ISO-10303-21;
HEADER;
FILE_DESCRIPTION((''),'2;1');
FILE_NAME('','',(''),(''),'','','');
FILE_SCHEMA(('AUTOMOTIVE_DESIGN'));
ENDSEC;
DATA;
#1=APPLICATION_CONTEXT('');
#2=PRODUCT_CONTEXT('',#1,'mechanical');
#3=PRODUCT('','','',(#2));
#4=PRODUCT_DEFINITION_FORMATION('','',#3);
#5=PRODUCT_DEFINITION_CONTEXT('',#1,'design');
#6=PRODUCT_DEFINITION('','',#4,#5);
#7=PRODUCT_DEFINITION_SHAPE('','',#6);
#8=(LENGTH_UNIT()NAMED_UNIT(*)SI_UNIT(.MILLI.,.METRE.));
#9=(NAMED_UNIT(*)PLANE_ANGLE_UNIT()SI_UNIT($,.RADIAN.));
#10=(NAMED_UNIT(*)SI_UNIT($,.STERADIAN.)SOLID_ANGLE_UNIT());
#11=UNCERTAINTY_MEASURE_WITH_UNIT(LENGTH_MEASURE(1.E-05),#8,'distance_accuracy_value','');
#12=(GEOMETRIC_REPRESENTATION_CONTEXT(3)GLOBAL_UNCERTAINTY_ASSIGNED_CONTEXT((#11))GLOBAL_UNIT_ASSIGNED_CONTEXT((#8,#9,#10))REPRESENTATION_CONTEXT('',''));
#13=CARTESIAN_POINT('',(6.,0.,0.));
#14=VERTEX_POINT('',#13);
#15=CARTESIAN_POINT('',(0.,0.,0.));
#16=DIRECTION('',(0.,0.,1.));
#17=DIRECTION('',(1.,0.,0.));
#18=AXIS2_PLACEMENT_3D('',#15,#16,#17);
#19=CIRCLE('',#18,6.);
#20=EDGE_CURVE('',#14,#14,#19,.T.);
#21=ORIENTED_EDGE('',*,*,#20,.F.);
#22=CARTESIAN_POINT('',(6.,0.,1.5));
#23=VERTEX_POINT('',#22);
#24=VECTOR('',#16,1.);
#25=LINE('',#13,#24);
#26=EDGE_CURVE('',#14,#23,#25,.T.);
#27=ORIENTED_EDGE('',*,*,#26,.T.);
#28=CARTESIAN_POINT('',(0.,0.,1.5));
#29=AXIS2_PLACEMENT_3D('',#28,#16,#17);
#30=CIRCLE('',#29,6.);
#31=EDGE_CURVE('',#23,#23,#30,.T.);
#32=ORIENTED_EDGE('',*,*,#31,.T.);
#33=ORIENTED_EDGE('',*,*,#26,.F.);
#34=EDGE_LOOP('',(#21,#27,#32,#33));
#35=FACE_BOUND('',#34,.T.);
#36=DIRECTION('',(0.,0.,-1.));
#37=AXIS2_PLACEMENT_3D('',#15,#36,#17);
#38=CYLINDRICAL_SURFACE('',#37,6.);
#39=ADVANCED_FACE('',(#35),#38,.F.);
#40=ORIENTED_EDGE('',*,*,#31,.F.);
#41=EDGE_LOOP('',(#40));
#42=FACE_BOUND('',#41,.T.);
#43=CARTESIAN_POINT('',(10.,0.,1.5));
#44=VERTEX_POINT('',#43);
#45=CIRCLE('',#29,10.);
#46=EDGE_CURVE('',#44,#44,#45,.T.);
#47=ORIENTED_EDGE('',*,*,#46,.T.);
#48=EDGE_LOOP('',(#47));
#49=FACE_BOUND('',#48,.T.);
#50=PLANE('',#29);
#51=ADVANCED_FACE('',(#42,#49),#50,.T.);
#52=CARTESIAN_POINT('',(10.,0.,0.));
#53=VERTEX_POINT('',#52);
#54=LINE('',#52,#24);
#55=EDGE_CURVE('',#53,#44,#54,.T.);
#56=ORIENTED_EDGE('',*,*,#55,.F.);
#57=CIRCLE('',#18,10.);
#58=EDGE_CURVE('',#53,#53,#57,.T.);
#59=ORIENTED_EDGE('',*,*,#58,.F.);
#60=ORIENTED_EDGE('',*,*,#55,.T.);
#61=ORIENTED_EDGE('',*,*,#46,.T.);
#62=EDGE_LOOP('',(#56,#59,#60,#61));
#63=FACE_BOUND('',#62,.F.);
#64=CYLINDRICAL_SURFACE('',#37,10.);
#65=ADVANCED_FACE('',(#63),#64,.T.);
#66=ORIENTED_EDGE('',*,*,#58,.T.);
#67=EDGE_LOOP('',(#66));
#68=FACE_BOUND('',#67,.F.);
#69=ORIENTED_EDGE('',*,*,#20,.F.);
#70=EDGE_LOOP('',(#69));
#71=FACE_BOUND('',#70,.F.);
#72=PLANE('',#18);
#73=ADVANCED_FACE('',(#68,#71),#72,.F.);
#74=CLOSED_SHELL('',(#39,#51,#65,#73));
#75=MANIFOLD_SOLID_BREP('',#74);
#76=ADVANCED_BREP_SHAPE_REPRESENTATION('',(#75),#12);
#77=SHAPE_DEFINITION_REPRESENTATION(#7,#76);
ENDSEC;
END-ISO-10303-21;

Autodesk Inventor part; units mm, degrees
ref_plane "YZ Plane" through (0, 0, 0) normal (1, 0, 0) x (0, 1, 0)
ref_plane "XZ Plane" through (0, 0, 0) normal (0, 1, 0) x (-1, 0, 0)
ref_plane "XY Plane" through (0, 0, 0) normal (0, 0, 1) x (1, 0, 0)
sketch "Sketch1" plane through (0, 0, 0) normal (0, 0, 1) x (1, 0, 0)
  circle A0 centre (0, 0) radius 6
  circle A1 centre (0, 0) radius 10
  dimension "d0" = 12
  dimension "d1" = 20
extrude "Extrusion1" add sketch "Sketch1" along normal blind 1.5
properties part number "podkładka-sprężyny"
